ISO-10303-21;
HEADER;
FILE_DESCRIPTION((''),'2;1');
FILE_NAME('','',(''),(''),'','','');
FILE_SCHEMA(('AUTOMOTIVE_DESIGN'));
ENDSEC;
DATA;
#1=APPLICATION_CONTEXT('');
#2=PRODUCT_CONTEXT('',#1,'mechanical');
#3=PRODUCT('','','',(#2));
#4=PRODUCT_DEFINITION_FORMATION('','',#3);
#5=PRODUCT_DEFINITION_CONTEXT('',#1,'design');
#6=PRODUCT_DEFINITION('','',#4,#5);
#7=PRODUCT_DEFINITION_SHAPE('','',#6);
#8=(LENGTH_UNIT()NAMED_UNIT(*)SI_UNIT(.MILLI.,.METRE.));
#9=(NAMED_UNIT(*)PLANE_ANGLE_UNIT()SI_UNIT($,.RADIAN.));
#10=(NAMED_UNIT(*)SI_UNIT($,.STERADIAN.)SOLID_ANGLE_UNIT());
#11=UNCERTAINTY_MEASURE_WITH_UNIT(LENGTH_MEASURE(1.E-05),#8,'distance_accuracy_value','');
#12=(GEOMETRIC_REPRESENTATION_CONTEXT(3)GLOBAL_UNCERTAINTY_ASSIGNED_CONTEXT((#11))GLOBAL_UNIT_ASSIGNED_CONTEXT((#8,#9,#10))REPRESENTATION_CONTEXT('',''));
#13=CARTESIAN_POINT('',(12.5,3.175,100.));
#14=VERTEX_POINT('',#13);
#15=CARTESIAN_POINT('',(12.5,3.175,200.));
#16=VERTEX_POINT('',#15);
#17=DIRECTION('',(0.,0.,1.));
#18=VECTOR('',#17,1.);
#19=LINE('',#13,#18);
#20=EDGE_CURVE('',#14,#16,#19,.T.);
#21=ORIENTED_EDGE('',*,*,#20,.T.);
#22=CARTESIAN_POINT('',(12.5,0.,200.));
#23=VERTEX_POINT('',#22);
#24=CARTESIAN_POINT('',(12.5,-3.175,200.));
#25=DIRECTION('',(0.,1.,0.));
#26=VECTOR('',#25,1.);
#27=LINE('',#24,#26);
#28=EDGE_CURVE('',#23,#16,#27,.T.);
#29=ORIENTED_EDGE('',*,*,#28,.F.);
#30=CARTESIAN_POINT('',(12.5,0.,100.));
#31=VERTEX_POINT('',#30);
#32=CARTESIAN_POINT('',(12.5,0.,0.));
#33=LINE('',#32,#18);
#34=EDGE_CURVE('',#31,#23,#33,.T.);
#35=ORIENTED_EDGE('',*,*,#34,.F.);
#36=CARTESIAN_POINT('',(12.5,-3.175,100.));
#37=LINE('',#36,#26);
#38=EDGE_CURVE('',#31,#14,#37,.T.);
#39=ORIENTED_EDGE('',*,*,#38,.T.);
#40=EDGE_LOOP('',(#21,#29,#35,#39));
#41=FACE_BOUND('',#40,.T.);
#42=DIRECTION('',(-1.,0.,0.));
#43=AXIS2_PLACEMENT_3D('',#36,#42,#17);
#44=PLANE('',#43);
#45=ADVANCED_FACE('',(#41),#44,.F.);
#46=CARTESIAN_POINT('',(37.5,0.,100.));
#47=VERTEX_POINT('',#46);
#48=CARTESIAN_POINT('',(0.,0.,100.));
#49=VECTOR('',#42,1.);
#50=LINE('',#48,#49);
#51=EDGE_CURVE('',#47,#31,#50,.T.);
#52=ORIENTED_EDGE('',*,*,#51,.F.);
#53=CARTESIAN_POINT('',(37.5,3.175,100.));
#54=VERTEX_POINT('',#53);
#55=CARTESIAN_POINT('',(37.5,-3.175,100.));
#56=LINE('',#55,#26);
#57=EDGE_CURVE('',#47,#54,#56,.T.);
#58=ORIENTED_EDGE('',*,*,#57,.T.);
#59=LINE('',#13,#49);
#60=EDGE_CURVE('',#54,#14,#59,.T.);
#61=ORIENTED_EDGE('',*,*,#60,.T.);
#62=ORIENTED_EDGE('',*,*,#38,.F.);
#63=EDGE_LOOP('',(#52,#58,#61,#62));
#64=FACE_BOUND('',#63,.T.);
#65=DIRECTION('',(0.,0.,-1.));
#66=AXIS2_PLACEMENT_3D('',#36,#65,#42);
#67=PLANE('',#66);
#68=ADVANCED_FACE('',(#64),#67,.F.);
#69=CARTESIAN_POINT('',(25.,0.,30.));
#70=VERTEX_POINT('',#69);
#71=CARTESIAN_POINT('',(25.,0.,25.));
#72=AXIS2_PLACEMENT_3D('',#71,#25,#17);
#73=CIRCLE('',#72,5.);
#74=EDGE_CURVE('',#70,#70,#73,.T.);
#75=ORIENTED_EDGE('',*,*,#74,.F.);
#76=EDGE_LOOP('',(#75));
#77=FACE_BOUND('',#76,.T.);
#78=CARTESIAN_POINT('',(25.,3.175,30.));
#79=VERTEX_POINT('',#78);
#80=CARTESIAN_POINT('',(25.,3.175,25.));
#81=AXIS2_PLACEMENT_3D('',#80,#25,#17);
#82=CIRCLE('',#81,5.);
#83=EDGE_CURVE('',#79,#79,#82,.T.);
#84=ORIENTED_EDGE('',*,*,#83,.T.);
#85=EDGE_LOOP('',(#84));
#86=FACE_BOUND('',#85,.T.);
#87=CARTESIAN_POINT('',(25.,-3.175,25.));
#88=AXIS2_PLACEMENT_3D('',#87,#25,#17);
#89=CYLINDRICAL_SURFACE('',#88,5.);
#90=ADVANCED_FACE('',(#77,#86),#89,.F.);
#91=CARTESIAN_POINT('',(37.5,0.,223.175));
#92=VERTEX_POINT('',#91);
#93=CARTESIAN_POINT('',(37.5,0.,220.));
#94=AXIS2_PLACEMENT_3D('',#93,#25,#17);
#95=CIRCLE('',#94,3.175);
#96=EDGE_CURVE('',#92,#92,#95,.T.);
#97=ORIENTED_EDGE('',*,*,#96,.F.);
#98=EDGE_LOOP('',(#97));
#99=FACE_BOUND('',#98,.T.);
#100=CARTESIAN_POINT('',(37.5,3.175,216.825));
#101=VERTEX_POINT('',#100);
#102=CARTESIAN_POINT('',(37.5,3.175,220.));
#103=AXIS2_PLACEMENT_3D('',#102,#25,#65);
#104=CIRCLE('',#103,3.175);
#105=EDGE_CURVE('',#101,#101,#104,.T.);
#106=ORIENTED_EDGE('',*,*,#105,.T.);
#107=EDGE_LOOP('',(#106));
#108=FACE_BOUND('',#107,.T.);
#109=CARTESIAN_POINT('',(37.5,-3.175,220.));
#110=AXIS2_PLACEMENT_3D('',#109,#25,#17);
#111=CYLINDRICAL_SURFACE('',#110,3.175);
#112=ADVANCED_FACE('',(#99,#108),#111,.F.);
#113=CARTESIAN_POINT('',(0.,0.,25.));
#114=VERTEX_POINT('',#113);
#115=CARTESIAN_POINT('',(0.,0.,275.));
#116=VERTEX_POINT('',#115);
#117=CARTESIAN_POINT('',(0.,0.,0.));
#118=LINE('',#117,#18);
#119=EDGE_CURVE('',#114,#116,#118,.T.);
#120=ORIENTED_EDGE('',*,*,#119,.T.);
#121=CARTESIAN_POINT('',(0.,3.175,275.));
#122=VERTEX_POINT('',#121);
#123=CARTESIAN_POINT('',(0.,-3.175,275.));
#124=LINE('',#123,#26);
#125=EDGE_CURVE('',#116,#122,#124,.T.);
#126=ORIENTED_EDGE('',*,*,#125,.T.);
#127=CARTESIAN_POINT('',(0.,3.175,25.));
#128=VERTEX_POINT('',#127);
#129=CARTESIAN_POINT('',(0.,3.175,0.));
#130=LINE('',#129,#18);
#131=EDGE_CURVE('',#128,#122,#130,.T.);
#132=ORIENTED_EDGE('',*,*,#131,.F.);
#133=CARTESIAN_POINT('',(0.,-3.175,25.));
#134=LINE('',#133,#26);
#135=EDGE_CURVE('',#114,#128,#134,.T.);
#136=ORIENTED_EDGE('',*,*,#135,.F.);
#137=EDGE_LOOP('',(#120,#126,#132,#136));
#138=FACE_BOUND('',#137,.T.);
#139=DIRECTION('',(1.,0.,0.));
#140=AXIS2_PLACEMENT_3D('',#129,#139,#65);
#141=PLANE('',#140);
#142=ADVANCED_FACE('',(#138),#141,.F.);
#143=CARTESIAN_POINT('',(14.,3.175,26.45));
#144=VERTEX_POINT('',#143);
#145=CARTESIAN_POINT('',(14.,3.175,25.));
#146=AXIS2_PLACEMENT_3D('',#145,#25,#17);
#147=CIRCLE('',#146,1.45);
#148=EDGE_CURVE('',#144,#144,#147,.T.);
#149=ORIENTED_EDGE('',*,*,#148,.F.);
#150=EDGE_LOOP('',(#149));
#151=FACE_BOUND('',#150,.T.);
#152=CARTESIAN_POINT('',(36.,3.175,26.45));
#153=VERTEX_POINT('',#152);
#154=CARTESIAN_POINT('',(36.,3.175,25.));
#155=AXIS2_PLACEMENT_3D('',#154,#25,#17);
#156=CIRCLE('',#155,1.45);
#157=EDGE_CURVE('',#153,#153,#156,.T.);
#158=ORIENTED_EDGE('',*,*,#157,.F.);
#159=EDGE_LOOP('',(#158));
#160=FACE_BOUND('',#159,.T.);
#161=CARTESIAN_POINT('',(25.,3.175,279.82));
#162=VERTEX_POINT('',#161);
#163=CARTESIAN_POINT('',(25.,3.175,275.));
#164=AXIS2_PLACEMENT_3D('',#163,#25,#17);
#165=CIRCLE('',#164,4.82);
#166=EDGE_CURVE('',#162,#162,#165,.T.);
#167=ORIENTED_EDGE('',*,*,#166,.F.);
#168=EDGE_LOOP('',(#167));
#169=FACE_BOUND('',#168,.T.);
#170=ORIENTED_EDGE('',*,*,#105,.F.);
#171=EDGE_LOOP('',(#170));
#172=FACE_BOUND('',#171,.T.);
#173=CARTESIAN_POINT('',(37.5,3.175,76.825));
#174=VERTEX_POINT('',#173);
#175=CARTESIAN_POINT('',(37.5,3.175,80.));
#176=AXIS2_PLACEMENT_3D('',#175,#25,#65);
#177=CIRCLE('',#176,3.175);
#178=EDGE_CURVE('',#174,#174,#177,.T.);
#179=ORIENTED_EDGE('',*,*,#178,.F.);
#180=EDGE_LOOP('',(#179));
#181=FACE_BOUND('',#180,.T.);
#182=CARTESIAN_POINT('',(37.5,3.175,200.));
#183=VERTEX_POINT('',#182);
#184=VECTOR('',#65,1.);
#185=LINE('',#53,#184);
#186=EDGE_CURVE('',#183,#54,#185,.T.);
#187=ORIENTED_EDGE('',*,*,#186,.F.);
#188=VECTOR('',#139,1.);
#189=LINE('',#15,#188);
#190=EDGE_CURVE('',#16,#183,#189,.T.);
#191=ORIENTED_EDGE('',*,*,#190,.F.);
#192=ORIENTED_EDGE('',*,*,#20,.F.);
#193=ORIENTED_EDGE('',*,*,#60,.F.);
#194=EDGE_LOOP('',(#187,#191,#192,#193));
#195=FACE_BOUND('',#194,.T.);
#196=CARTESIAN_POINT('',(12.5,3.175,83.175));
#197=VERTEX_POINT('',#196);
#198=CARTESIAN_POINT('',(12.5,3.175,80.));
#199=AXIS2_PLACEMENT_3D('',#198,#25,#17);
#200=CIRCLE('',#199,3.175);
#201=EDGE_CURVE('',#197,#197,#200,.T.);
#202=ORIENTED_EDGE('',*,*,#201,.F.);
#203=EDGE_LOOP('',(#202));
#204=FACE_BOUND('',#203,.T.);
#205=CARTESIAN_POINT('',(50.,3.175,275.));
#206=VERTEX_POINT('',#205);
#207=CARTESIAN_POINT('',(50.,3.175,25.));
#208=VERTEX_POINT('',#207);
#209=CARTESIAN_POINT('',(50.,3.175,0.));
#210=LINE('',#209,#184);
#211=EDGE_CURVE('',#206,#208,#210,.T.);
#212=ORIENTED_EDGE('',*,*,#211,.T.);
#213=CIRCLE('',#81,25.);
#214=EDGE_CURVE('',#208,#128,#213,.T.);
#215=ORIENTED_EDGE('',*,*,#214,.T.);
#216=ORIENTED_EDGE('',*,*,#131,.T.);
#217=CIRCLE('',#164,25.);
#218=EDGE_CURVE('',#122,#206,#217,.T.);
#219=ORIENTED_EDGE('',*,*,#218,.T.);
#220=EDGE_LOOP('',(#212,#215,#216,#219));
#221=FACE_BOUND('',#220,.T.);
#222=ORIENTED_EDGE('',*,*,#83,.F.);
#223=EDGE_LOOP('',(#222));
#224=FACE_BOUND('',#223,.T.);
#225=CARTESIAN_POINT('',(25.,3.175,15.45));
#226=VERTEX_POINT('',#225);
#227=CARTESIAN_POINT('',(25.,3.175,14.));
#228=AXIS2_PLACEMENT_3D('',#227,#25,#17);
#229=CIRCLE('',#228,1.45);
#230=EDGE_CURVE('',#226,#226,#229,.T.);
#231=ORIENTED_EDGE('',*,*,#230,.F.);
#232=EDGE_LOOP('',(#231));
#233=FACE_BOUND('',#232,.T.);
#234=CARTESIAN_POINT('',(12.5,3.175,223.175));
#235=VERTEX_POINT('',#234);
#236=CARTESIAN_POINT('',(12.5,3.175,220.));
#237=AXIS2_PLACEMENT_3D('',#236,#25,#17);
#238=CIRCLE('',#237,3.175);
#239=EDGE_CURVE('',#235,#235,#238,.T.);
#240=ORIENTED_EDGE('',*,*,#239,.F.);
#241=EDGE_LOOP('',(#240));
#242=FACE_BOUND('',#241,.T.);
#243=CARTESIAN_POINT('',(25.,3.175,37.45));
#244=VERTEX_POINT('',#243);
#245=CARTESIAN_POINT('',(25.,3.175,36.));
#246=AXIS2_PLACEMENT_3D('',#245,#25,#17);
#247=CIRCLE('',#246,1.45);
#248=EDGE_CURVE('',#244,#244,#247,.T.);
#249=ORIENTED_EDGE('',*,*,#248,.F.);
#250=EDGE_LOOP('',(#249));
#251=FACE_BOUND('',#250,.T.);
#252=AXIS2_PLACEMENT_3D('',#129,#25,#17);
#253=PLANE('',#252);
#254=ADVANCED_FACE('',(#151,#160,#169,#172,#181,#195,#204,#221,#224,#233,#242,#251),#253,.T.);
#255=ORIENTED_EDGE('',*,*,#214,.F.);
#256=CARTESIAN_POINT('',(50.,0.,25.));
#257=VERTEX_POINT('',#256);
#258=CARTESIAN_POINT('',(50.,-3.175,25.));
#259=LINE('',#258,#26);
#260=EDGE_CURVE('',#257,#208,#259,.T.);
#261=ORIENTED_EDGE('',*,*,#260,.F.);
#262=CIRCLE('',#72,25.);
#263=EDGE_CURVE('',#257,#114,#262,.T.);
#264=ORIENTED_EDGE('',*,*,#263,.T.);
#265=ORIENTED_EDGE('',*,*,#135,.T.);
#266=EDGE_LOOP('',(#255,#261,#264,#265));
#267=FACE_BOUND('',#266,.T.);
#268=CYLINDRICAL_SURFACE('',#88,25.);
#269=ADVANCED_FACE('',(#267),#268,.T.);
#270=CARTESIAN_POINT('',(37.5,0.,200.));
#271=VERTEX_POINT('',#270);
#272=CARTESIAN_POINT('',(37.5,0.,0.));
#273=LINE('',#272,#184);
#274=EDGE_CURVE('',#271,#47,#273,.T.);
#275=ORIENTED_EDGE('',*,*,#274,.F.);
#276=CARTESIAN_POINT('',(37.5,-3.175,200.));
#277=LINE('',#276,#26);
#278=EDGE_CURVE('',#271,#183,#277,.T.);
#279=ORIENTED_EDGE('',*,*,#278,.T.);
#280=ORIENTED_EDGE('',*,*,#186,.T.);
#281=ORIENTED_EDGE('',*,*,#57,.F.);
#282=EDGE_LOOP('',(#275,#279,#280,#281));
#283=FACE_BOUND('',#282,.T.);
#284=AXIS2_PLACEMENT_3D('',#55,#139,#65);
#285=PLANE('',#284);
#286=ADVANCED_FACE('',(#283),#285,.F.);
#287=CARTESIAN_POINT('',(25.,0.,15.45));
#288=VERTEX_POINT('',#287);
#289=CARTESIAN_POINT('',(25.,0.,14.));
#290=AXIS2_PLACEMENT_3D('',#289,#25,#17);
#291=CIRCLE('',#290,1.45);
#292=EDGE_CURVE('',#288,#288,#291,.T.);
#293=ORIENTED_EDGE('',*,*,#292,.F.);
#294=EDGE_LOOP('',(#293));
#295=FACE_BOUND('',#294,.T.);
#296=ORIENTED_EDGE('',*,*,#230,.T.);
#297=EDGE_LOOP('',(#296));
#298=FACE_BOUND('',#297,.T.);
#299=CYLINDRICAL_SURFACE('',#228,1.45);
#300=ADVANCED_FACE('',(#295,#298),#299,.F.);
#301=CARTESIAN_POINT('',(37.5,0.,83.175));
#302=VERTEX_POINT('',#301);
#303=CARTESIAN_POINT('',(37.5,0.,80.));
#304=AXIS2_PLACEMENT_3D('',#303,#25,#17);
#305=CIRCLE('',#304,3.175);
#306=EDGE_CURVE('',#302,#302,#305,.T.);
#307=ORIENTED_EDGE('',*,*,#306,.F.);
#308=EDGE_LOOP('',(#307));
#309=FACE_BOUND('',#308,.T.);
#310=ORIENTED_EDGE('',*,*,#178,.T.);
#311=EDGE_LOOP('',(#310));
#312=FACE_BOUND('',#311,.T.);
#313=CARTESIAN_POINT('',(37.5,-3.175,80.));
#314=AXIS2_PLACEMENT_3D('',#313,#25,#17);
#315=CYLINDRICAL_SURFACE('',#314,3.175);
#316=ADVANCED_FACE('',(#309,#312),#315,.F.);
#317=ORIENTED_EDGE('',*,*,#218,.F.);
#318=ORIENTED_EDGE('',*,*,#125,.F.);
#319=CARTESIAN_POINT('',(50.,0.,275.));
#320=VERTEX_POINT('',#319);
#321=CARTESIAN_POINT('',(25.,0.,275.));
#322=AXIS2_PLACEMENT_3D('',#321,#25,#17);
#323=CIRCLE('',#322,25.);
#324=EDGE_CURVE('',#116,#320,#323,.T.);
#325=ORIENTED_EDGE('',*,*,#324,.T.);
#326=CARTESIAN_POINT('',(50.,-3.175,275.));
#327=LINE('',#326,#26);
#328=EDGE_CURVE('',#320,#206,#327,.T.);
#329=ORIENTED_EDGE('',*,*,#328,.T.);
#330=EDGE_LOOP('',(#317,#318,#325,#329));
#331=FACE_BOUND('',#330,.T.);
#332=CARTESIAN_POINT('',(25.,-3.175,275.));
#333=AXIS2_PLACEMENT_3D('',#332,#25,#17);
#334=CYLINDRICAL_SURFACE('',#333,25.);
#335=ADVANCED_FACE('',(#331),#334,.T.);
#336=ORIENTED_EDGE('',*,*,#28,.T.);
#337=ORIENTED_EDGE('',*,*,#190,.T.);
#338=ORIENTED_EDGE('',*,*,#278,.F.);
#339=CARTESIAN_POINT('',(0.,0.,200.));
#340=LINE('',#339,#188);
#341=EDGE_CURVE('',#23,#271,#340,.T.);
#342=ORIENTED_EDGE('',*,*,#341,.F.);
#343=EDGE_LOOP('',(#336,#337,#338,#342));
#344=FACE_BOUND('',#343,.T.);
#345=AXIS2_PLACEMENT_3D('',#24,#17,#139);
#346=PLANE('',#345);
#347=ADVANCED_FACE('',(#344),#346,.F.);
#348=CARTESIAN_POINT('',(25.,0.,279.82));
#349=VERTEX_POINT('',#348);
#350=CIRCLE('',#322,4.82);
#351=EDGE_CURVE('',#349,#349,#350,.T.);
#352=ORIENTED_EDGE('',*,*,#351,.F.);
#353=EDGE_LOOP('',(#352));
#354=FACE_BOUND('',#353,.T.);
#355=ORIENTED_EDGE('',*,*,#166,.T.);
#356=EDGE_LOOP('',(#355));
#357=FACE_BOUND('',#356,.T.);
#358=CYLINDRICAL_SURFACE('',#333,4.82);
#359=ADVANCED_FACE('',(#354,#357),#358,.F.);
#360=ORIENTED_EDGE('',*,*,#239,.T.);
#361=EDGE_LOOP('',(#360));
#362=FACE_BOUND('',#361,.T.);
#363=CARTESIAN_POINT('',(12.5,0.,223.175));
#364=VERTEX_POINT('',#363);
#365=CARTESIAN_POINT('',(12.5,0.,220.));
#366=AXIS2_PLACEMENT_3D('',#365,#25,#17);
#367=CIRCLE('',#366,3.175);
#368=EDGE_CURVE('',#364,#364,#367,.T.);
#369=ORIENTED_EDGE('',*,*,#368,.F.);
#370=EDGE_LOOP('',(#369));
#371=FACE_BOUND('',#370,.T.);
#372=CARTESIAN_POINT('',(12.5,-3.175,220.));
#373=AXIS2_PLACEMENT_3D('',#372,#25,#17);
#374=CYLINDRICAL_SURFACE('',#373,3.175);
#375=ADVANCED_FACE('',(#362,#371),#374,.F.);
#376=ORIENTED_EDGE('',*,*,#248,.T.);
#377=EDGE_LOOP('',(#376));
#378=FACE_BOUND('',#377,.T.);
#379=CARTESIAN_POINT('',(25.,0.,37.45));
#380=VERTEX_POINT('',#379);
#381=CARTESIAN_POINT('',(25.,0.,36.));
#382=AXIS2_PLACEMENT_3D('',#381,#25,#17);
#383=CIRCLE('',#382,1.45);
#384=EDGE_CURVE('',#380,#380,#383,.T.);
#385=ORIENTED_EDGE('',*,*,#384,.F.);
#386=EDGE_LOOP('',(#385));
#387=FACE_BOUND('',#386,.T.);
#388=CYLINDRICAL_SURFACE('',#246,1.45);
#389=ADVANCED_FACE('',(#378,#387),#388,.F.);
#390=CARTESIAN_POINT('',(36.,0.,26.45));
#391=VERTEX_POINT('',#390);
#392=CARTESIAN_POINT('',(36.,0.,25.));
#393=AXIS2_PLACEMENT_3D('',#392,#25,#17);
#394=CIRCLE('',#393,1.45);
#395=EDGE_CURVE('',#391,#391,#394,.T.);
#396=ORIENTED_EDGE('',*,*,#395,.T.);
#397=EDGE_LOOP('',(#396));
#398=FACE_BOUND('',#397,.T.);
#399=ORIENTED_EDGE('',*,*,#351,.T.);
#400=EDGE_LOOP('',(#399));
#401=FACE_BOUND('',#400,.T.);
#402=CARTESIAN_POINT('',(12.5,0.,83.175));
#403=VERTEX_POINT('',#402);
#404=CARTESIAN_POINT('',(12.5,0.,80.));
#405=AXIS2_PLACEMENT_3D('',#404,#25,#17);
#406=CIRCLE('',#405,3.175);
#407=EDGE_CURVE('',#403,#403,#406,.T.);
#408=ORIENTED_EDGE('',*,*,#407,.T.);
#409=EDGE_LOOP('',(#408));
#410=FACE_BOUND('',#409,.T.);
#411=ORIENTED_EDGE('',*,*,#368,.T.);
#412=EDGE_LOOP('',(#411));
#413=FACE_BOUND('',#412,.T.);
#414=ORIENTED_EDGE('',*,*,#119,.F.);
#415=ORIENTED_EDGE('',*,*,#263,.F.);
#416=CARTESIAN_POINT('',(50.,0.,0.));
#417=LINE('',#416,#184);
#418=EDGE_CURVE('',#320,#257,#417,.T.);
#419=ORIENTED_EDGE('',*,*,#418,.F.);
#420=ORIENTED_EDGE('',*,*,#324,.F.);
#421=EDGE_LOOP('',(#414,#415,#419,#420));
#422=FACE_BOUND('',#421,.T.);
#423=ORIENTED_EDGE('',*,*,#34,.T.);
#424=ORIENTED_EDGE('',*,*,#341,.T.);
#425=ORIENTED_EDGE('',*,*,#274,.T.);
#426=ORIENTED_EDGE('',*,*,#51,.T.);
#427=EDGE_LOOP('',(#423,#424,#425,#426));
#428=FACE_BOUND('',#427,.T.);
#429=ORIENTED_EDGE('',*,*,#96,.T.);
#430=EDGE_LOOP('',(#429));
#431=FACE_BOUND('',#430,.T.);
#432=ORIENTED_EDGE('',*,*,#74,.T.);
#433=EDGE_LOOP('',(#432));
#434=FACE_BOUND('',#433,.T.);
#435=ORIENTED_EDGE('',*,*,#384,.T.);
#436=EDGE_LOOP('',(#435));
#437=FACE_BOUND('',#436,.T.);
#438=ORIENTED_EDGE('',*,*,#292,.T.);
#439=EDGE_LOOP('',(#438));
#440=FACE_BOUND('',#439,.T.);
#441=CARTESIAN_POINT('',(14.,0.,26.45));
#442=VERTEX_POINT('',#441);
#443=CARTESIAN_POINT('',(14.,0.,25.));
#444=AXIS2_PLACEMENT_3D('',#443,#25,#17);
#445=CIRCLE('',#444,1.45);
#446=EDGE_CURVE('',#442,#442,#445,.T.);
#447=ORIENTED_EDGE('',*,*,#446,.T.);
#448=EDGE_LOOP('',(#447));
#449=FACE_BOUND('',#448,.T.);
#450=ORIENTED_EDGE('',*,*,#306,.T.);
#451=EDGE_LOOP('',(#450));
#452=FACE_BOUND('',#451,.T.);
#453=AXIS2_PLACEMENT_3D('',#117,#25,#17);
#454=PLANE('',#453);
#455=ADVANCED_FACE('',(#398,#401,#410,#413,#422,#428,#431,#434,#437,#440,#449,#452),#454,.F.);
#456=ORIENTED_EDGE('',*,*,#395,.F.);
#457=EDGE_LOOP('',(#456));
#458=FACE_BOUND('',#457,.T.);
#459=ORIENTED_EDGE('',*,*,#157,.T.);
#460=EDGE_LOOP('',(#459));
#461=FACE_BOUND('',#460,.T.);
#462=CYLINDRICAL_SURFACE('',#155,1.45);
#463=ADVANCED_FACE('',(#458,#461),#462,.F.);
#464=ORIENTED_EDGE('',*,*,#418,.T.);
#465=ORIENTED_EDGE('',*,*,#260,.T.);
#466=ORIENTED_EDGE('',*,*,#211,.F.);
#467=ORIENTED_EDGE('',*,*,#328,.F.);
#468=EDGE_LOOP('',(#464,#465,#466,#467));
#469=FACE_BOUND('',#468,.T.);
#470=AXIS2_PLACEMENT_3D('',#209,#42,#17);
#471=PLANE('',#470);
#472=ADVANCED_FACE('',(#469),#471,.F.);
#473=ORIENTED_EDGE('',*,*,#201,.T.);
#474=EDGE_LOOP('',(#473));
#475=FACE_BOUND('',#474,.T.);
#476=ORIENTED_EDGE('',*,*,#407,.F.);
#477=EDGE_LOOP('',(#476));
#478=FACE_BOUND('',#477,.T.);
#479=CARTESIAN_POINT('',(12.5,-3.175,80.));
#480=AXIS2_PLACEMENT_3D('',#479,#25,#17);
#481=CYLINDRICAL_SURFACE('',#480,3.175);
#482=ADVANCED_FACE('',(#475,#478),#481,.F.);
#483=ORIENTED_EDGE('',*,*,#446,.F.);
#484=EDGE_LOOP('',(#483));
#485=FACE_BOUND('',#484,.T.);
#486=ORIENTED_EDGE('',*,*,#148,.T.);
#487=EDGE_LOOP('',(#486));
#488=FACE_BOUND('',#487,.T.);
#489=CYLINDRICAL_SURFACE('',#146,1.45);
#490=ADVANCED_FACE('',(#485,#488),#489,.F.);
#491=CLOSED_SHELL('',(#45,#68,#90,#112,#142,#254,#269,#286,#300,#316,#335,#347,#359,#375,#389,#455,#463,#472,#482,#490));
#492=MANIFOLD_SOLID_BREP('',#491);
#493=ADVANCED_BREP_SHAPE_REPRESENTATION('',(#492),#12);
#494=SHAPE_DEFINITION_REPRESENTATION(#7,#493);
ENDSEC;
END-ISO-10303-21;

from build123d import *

# Parameters (mm, degrees)
SKETCH1_W              = 50
SKETCH1_H              = 300
BOSS_EXTRUDE1_DEPTH    = 3.175
CUT_EXTRUDE1_DEPTH     = 6.35
SKETCH3_R              = 5
SKETCH3_R_2            = 4.82
SKETCH3_R_3            = 1.025
CUT_EXTRUDE2_DEPTH     = 6.35
SKETCH4_R              = 3.175
SKETCH4_W              = 25
SKETCH4_H              = 100
CUT_EXTRUDE3_DEPTH     = 6.35
M2_5_CLEARANCE_HOLE1_D = 2.9


with BuildPart() as part:
    # Sketch1 → Boss-Extrude1 (new body)
    with BuildSketch(Plane(origin=(0, 0, 0), x_dir=(1, 0, 0), z_dir=(0, 1, 0))):
        with Locations((25, -150)):
            Rectangle(SKETCH1_W, SKETCH1_H)
    extrude(amount=BOSS_EXTRUDE1_DEPTH)

    # Sketch2 → Cut-Extrude1 (cut)
    with BuildSketch(Plane(origin=(0, 3.175, 0), x_dir=(1, 0, 0), z_dir=(0, 1, 0))):
        with BuildLine():
            ThreePointArc((25, 0), (42.67766953, -7.32233047), (50, -25))
            Line((50, -25), (50, 0))
            Line((50, 0), (25, 0))
        make_face()
        with BuildLine():
            Line((0, 0), (0, -25))
            ThreePointArc((0, -25), (7.32233047, -7.32233047), (25, 0))
            Line((25, 0), (0, 0))
        make_face()
        with BuildLine():
            Line((50, -300), (50, -275))
            ThreePointArc((50, -275), (42.67766953, -292.67766953), (25, -300))
            Line((25, -300), (50, -300))
        make_face()
        with BuildLine():
            ThreePointArc((25, -300), (7.32233047, -292.67766953), (0, -275))
            Line((0, -275), (0, -300))
            Line((0, -300), (25, -300))
        make_face()
    extrude(amount=-CUT_EXTRUDE1_DEPTH, mode=Mode.SUBTRACT)

    # Sketch3 → Cut-Extrude2 (cut)
    with BuildSketch(Plane(origin=(0, 3.175, 0), x_dir=(1, 0, 0), z_dir=(0, 1, 0))):
        with Locations(Location((25, -25, 0), (0, 0, 270))):
            Circle(SKETCH3_R)
        with Locations(Location((25, -275, 0), (0, 0, 270))):
            Circle(SKETCH3_R_2)
        with Locations(Location((25, -14, 0), (0, 0, 270))):
            Circle(SKETCH3_R_3)
        with Locations(Location((14, -25, 0), (0, 0, 270))):
            Circle(SKETCH3_R_3)
        with Locations(Location((25, -36, 0), (0, 0, 270))):
            Circle(SKETCH3_R_3)
        with Locations(Location((36, -25, 0), (0, 0, 270))):
            Circle(SKETCH3_R_3)
    extrude(amount=-CUT_EXTRUDE2_DEPTH, mode=Mode.SUBTRACT)

    # Sketch4 → Cut-Extrude3 (cut)
    with BuildSketch(Plane(origin=(0, 3.175, 0), x_dir=(1, 0, 0), z_dir=(0, 1, 0))):
        with Locations(Location((12.5, -80, 0), (0, 0, 270))):
            Circle(SKETCH4_R)
        with Locations(Location((12.5, -220, 0), (0, 0, 270))):
            Circle(SKETCH4_R)
        with Locations(Location((37.5, -220, 0), (0, 0, 270))):
            Circle(SKETCH4_R)
        with Locations(Location((37.5, -80, 0), (0, 0, 270))):
            Circle(SKETCH4_R)
        with Locations((25, -150)):
            Rectangle(SKETCH4_W, SKETCH4_H)
    extrude(amount=-CUT_EXTRUDE3_DEPTH, mode=Mode.SUBTRACT)

    # M2.5 Clearance Hole1 (through all)
    with Locations(Plane(origin=(0, 3.175, 0), x_dir=(1, 0, 0), z_dir=(0, 1, 0))):
        with Locations((14, -25), (25, -14), (36, -25), (25, -36)):
            Hole(M2_5_CLEARANCE_HOLE1_D / 2)


solid = part.part
